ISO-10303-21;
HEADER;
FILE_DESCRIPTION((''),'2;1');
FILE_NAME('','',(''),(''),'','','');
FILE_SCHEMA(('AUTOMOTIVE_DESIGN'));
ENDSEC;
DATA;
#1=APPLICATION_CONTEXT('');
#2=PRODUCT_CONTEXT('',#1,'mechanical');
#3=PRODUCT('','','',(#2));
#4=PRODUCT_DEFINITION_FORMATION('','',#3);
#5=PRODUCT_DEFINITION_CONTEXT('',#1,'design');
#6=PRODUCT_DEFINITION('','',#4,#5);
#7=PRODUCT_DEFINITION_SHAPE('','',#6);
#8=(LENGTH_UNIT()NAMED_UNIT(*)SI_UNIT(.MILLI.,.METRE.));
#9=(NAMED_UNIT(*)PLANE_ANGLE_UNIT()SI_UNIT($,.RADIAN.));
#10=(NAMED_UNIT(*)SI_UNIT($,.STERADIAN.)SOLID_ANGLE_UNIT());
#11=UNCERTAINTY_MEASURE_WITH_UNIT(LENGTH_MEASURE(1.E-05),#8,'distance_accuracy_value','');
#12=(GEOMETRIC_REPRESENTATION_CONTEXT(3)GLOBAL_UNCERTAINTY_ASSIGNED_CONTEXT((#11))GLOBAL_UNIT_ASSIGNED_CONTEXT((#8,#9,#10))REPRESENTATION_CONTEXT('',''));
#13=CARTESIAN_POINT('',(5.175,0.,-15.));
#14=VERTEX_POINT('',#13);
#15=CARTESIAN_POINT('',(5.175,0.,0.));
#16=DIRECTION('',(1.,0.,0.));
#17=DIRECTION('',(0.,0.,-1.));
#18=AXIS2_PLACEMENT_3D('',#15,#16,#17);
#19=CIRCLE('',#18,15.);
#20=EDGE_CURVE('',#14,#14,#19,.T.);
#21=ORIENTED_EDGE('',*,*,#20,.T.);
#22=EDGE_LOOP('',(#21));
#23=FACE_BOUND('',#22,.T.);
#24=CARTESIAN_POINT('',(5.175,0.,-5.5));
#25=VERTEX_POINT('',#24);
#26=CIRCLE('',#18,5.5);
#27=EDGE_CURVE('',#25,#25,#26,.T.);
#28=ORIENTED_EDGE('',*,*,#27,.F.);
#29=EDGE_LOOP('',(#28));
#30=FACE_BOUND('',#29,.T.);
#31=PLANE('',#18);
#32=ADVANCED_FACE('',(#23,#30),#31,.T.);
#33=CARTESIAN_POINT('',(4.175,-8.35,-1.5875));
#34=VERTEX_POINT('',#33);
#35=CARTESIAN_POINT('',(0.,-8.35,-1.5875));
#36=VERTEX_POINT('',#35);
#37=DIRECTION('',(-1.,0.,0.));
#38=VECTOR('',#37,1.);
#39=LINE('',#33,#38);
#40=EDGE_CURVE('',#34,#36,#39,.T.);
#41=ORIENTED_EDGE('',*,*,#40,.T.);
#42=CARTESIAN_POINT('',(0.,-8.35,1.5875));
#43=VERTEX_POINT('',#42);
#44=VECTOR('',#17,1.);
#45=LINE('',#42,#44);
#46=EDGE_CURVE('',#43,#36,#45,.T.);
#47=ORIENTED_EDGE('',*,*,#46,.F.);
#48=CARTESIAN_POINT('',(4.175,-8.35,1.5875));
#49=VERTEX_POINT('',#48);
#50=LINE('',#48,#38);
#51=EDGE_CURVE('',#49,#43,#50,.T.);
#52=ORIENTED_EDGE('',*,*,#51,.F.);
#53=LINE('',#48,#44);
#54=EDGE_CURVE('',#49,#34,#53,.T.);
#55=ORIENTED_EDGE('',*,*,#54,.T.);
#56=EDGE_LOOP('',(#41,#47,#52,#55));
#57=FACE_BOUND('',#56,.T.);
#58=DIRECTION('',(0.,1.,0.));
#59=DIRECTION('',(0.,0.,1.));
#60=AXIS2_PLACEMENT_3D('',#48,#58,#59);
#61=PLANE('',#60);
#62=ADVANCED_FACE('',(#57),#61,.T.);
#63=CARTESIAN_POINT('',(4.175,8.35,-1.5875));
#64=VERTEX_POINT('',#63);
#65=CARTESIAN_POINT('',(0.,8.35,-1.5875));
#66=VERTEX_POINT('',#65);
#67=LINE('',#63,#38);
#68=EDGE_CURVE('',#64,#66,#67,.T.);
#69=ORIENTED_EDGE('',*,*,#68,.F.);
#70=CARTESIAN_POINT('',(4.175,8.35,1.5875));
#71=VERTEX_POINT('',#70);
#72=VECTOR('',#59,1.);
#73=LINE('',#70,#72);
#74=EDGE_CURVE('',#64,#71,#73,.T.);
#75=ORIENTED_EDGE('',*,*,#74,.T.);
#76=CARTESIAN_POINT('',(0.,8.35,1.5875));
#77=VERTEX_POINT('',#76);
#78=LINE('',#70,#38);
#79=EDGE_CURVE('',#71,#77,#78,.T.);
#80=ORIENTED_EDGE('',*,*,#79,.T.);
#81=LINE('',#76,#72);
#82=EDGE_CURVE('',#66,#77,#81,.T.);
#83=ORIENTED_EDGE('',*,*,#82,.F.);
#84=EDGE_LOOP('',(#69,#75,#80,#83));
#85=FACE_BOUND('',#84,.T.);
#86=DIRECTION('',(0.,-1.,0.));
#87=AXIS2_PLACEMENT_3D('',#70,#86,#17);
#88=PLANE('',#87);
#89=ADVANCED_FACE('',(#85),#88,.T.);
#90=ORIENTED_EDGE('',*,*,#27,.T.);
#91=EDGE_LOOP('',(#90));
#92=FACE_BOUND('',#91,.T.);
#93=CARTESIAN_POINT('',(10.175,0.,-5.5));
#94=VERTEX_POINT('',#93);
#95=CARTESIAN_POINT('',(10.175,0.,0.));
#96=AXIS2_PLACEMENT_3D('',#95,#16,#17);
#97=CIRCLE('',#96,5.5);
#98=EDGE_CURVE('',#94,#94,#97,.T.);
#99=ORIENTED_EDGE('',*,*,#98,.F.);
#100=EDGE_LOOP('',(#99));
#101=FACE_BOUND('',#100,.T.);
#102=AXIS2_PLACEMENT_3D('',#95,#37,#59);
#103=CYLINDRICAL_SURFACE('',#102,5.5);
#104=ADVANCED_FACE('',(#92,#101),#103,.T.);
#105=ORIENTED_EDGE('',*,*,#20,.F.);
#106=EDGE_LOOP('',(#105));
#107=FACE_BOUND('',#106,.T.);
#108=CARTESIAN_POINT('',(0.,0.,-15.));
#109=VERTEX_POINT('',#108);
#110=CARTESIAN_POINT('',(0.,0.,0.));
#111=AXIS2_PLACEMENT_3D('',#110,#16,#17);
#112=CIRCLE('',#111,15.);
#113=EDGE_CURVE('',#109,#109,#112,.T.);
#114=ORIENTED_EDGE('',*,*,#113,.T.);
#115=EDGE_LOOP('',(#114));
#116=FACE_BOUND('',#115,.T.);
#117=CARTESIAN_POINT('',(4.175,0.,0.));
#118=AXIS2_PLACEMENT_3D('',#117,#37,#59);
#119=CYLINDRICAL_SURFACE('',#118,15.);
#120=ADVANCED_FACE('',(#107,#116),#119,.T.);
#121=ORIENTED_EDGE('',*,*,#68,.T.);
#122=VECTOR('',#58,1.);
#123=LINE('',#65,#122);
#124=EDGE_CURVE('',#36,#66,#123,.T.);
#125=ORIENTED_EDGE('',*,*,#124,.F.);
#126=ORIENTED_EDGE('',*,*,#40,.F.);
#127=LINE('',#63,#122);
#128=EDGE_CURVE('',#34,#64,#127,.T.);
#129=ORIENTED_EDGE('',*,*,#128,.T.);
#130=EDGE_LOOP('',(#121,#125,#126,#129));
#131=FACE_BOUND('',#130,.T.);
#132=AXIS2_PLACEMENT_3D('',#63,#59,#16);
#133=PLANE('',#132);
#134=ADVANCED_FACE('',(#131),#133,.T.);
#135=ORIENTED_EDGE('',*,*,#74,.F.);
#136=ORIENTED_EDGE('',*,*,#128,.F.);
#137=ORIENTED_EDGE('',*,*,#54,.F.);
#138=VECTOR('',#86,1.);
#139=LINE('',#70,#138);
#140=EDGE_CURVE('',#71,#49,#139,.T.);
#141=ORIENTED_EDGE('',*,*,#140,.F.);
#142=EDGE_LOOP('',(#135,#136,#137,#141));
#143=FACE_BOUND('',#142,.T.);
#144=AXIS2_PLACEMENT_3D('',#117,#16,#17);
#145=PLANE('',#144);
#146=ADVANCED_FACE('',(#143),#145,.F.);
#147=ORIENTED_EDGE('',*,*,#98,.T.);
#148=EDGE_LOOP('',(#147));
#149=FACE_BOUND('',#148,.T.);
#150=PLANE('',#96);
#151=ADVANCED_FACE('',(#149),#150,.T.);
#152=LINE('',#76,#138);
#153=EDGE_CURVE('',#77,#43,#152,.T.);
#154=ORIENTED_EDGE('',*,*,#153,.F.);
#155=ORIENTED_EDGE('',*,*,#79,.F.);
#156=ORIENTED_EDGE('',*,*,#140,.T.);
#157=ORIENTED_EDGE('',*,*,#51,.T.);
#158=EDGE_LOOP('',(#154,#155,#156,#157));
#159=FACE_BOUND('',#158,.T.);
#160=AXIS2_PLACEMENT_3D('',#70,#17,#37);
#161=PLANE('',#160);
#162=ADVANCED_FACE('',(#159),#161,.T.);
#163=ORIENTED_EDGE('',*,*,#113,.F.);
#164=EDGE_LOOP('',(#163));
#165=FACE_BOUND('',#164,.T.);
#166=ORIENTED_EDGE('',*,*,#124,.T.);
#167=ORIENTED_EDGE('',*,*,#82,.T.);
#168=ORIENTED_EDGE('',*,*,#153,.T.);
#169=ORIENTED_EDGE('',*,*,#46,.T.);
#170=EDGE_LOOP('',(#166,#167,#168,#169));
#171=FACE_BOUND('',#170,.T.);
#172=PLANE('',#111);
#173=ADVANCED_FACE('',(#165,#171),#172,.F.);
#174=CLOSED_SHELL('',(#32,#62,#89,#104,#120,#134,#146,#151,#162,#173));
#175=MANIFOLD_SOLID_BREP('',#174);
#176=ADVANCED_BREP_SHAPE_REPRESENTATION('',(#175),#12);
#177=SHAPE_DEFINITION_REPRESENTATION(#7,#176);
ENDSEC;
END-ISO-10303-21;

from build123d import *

# Parameters (mm, degrees)
SKETCH1_R           = 15
SKETCH1_W           = 3.175
SKETCH1_H           = 16.7
BOSS_EXTRUDE1_DEPTH = 4.175
SKETCH2_R           = 15
BOSS_EXTRUDE2_DEPTH = 1
SKETCH3_R           = 5.5
BOSS_EXTRUDE3_DEPTH = 5


with BuildPart() as part:
    # Sketch1 → Boss-Extrude1 (new body)
    with BuildSketch(Plane(origin=(0, 0, 0), x_dir=(0, 0, -1), z_dir=(1, 0, 0))):
        Circle(SKETCH1_R)
        Rectangle(SKETCH1_W, SKETCH1_H, mode=Mode.SUBTRACT)
    extrude(amount=BOSS_EXTRUDE1_DEPTH)

    # Sketch2 → Boss-Extrude2 (add)
    with BuildSketch(Plane(origin=(4.175, 0, 0), x_dir=(0, 0, -1), z_dir=(1, 0, 0))):
        Circle(SKETCH2_R)
    extrude(amount=BOSS_EXTRUDE2_DEPTH)

    # Sketch3 → Boss-Extrude3 (add)
    with BuildSketch(Plane(origin=(5.175, 0, 0), x_dir=(0, 0, -1), z_dir=(1, 0, 0))):
        Circle(SKETCH3_R)
    extrude(amount=BOSS_EXTRUDE3_DEPTH)


solid = part.part
